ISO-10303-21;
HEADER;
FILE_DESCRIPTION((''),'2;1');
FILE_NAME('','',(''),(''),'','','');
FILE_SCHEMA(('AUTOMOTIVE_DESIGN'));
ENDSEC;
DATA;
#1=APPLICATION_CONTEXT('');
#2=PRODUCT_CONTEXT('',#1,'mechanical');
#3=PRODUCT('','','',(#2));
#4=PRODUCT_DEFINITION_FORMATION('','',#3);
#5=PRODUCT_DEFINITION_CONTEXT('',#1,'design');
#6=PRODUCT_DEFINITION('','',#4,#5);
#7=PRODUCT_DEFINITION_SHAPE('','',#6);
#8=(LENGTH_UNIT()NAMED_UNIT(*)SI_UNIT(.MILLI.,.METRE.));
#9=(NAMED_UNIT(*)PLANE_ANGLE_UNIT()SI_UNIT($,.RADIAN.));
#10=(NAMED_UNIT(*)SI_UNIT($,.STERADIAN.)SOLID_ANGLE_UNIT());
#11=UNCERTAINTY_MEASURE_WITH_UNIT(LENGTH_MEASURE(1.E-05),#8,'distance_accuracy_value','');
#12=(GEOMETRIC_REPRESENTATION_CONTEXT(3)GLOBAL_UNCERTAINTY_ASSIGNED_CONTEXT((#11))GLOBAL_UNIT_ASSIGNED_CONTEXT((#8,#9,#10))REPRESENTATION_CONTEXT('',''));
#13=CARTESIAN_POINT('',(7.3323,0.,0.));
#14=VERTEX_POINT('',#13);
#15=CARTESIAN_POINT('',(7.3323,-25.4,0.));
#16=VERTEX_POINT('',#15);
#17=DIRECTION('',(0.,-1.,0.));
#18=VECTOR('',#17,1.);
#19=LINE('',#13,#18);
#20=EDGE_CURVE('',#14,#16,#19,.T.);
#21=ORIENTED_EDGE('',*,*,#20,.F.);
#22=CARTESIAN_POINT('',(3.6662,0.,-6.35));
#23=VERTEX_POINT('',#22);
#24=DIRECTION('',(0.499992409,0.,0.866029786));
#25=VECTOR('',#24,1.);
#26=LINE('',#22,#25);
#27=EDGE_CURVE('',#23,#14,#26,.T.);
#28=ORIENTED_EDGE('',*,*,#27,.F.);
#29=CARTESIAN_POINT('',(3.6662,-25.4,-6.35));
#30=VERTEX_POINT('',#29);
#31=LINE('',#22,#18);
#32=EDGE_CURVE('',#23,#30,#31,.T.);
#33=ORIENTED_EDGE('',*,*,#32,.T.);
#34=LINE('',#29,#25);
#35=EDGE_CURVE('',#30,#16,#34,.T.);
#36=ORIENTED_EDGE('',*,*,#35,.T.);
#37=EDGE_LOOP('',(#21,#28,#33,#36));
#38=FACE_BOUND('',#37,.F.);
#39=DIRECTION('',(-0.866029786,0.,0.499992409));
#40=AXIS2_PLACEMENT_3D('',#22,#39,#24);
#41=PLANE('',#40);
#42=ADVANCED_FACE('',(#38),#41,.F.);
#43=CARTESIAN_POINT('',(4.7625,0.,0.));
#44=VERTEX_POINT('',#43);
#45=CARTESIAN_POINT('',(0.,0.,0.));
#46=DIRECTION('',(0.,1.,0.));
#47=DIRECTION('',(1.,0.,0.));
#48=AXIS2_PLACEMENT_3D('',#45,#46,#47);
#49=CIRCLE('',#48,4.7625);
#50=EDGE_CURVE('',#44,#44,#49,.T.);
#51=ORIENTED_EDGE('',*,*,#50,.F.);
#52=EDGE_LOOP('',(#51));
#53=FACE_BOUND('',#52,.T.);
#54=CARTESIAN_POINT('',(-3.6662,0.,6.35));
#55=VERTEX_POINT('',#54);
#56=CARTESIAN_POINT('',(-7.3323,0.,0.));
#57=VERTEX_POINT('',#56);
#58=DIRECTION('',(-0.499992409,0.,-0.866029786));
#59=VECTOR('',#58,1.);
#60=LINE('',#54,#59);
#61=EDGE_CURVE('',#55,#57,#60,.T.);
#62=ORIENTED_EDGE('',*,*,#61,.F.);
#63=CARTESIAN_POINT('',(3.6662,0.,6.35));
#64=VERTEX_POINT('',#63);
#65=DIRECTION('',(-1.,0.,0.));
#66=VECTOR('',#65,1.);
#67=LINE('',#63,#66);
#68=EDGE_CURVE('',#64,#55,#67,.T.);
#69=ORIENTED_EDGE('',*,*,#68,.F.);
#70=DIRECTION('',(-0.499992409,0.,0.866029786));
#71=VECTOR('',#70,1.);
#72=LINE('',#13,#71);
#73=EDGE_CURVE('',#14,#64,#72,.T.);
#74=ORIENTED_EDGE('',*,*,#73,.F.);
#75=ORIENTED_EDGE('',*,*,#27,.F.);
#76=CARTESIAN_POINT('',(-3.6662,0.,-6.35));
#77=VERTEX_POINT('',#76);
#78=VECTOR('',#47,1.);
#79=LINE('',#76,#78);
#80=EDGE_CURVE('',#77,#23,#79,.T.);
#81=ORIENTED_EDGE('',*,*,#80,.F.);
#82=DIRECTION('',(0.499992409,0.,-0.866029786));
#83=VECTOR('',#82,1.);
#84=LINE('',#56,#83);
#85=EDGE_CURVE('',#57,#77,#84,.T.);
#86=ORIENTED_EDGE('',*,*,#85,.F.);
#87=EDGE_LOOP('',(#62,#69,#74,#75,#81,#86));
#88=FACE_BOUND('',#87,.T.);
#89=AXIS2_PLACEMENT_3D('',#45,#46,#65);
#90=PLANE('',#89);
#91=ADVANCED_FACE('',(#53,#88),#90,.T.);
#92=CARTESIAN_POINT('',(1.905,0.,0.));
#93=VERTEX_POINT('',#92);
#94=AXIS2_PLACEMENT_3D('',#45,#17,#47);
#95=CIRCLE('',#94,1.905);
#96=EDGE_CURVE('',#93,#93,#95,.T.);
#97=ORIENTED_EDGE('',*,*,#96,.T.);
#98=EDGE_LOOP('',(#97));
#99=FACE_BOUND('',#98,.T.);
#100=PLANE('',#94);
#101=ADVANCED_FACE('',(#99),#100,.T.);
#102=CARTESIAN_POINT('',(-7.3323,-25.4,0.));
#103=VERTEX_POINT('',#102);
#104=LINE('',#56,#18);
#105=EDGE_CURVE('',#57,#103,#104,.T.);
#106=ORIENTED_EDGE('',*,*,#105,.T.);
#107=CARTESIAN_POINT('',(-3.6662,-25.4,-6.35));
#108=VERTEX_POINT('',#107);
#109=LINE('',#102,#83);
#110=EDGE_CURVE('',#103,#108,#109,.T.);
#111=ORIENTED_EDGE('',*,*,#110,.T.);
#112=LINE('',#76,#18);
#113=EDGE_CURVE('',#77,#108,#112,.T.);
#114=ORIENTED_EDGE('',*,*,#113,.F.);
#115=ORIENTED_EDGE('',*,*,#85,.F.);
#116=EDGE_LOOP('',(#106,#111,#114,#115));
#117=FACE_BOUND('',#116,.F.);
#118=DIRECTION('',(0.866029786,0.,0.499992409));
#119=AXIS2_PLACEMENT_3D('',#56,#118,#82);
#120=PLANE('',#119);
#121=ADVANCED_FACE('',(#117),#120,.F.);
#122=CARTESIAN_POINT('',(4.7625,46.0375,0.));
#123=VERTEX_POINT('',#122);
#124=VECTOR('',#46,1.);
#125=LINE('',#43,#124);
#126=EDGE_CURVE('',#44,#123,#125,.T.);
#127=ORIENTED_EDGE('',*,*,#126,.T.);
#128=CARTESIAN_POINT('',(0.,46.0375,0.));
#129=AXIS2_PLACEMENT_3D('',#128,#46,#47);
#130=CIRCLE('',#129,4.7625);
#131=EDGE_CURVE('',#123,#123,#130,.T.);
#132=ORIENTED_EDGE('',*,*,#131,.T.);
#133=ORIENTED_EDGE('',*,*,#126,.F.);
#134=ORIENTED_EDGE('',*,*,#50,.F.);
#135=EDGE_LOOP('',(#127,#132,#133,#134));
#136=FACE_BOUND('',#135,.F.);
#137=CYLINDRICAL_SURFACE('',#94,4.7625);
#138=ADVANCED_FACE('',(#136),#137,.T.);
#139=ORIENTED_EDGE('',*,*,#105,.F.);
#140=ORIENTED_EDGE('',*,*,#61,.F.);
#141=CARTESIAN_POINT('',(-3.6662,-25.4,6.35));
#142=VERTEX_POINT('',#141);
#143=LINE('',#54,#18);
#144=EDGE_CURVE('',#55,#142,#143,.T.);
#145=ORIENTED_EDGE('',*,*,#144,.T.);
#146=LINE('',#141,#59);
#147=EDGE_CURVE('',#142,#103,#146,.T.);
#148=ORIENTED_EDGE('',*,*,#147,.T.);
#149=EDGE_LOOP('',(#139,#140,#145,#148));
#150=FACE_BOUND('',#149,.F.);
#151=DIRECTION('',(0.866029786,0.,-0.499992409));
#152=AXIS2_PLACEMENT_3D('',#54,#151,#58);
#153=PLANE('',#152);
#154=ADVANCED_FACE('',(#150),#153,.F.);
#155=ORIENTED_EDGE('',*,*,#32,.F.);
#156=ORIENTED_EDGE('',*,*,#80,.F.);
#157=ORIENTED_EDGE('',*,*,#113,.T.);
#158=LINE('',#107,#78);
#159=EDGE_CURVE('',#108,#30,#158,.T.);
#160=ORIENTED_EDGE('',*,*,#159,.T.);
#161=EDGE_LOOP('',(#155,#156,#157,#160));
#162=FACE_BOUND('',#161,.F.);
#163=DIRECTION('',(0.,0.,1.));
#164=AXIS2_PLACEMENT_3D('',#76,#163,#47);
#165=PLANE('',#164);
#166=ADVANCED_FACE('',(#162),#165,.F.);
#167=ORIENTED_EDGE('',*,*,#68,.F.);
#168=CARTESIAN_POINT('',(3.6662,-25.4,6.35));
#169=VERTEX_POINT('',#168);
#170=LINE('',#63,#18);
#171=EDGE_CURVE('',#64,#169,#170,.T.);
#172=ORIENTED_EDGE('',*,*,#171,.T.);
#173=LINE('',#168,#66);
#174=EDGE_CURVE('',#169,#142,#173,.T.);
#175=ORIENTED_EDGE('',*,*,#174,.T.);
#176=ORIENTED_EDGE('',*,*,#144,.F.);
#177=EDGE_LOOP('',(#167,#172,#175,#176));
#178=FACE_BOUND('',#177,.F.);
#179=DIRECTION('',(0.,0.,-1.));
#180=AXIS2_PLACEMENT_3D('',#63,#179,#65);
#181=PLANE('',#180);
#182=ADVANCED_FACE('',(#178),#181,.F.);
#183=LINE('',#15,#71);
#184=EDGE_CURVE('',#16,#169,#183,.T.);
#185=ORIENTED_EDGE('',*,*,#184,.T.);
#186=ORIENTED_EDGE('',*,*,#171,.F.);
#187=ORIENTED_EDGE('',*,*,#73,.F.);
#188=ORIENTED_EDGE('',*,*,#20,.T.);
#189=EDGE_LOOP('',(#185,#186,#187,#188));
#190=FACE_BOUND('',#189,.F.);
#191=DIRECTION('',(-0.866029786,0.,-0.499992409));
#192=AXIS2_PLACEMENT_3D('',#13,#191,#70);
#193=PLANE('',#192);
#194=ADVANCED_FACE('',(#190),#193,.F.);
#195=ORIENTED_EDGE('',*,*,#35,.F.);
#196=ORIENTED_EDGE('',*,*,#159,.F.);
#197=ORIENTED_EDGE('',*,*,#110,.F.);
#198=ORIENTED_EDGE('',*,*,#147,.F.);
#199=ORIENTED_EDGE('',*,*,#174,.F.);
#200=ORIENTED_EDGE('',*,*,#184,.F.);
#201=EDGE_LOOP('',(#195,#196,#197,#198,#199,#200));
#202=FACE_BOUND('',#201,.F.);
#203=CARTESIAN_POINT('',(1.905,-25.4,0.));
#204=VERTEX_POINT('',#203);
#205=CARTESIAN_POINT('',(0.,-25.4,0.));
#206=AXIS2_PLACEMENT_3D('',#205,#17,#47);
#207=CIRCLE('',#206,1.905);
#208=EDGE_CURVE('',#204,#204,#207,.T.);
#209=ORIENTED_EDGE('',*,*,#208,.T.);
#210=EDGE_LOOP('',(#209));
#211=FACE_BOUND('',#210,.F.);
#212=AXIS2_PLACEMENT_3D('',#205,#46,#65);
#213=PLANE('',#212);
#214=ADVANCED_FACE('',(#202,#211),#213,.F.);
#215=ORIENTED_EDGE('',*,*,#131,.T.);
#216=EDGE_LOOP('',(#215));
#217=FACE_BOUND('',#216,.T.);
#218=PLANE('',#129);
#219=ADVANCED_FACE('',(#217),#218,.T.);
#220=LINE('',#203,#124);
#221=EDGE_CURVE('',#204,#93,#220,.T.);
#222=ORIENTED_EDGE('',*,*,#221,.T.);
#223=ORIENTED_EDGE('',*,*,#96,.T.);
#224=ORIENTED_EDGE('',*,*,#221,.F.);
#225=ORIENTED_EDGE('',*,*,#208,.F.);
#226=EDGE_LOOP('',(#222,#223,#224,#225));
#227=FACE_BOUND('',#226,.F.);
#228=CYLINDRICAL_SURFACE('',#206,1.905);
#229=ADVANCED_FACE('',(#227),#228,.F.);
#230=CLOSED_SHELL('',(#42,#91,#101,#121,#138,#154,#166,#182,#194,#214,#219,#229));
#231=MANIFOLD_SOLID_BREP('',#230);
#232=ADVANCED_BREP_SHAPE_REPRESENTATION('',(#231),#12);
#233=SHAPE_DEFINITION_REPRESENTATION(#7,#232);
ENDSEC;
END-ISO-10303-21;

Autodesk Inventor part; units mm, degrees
ref_plane "YZ Plane" through (0, 0, 0) normal (1, 0, 0) x (0, 1, 0)
ref_plane "XZ Plane" through (0, 0, 0) normal (0, 1, 0) x (-1, 0, 0)
ref_plane "XY Plane" through (0, 0, 0) normal (0, 0, 1) x (1, 0, 0)
sketch "Sketch1" plane through (0, 0, 0) normal (0, 1, 0) x (-1, 0, 0)
  line L0 (3.6662, -6.35) -> (-3.6662, -6.35)
  line L1 (-3.6662, -6.35) -> (-7.3323, 0)
  line L2 (-7.3323, 0) -> (-3.6662, 6.35)
  line L3 (-3.6662, 6.35) -> (3.6662, 6.35)
  line L4 (3.6662, 6.35) -> (7.3323, 0)
  line L5 (7.3323, 0) -> (3.6662, -6.35)
  point P0 (0, 0)
  point P1 (0, 0)
  dimension "d0" = 12.7
extrude "Extrusion1" add sketch "Sketch1" against normal blind 25.4
sketch "Sketch2" plane through (0, 0, 0) normal (0, 1, 0) x (1, 0, 0)
  circle A0 centre (0, 0) radius 4.7625
  dimension "d3" = 9.525
extrude "Extrusion2" add sketch "Sketch2" along normal blind 46.0375
sketch "Sketch3" plane through (0, -25.4, 0) normal (0, -1, 0) x (1, 0, 0)
  circle A0 centre (0, 0) radius 4.7625 projected
  circle A1 centre (0, 0) radius 1.905
  dimension "d7" = 3.81
extrude "Extrusion3" cut sketch "Sketch3" against normal blind 25.4 contours A1
properties part number "Roller shaft" material "Aluminum 6061"
